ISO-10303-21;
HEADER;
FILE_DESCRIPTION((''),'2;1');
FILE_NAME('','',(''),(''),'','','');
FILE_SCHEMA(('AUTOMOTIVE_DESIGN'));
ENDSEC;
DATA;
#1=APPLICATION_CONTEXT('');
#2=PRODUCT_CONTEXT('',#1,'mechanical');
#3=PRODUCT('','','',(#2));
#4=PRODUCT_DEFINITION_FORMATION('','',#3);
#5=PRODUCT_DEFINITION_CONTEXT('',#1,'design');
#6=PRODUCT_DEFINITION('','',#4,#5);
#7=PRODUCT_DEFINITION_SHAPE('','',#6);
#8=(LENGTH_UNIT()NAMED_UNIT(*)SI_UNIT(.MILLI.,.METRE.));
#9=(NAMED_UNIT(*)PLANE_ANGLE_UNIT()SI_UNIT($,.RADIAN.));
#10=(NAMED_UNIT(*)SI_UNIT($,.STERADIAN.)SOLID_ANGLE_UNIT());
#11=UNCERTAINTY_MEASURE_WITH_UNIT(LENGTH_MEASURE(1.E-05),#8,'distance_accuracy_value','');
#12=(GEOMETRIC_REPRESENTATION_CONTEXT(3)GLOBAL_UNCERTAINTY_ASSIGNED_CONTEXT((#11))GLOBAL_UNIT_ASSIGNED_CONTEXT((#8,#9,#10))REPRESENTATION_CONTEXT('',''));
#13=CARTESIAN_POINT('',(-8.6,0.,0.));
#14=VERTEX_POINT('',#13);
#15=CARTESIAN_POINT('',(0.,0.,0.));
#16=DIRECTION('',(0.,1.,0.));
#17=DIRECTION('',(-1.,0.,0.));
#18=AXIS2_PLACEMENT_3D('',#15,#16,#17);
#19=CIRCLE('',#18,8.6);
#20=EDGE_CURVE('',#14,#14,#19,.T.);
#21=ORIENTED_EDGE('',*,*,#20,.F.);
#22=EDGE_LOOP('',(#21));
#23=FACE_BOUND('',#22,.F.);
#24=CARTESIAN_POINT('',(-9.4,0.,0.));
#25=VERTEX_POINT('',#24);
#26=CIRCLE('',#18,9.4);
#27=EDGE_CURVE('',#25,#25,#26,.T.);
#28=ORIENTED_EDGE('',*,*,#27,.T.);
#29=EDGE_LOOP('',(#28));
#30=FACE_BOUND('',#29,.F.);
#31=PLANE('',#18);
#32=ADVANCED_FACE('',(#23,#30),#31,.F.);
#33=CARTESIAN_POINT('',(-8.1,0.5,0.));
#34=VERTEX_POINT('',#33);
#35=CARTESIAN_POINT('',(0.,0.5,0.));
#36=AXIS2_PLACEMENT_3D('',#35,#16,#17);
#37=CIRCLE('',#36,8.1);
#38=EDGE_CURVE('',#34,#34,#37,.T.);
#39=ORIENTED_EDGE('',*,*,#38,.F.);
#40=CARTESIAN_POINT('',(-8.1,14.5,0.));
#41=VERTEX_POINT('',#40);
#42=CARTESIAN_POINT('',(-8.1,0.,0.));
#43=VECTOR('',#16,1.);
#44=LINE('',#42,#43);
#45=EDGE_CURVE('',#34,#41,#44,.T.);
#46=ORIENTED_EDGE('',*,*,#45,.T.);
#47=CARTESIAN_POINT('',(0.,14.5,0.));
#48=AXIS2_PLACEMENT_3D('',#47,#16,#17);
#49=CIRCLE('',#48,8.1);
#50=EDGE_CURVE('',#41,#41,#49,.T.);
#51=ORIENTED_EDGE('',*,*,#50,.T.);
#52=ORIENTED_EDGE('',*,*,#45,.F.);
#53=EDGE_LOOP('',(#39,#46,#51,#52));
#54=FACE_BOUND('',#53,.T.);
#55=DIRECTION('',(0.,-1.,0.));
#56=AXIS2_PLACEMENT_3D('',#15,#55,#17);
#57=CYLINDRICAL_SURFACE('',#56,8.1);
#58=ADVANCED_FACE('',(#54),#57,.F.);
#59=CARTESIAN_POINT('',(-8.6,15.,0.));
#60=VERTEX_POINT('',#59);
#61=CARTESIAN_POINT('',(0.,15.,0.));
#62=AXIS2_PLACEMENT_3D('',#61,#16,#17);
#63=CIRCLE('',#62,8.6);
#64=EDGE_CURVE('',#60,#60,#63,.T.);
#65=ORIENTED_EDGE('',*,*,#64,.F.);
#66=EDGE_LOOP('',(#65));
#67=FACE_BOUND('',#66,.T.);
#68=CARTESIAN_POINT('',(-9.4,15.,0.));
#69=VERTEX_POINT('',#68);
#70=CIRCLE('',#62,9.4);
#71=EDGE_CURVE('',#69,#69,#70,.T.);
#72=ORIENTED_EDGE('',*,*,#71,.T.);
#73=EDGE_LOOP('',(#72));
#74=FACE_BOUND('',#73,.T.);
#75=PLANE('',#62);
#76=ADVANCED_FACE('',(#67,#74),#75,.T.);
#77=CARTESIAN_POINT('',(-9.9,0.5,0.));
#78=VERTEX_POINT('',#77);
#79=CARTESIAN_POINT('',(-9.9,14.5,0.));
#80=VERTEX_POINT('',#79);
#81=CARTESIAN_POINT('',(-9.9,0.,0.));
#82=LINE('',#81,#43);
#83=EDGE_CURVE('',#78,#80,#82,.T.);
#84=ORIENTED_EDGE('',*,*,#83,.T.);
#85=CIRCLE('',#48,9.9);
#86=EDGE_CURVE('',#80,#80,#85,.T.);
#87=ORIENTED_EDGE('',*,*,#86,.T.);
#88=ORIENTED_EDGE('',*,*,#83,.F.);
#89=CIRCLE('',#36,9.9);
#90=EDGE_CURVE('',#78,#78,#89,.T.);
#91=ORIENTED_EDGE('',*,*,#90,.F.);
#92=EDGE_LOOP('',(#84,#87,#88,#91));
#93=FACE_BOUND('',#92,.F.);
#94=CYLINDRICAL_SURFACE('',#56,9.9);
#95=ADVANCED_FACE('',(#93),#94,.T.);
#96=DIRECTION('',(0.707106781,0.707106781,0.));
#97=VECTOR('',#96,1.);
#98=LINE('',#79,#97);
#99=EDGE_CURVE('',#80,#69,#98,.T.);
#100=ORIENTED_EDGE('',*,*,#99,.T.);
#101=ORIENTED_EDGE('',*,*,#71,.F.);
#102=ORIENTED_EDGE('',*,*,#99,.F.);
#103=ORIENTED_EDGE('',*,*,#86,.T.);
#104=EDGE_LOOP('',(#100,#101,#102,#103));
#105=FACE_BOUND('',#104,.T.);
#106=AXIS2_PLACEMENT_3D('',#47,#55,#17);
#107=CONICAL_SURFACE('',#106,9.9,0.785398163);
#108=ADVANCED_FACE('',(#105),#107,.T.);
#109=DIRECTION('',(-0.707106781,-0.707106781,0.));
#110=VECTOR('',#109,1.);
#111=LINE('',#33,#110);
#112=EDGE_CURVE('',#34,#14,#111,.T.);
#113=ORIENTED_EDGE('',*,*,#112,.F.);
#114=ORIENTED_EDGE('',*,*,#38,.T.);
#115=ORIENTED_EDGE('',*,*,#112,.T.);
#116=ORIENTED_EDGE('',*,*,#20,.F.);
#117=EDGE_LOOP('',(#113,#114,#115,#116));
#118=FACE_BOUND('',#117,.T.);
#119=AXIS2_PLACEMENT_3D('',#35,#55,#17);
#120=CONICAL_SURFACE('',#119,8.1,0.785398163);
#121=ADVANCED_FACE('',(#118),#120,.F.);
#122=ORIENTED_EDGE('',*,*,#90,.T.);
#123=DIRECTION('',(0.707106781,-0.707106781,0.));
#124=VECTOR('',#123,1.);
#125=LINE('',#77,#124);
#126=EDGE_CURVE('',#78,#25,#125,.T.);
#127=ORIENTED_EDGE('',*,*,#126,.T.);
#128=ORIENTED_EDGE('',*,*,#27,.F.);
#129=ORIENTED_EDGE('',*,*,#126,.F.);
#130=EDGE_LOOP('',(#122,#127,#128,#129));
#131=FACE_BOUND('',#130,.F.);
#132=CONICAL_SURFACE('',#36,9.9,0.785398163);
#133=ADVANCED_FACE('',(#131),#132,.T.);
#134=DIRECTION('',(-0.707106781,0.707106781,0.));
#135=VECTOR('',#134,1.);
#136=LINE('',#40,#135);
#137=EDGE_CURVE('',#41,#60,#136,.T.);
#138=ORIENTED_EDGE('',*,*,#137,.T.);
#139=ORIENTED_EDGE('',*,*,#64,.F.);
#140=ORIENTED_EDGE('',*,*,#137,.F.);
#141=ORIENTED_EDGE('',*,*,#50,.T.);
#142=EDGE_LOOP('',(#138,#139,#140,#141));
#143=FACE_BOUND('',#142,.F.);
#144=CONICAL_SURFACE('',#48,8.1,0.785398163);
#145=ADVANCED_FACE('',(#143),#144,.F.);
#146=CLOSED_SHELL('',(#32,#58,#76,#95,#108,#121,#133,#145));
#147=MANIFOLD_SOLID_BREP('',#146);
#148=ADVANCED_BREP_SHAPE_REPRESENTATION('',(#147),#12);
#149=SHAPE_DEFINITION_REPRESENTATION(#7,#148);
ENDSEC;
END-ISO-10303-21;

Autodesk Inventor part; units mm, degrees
ref_plane "YZ Plane" through (0, 0, 0) normal (1, 0, 0) x (0, 1, 0)
ref_plane "XZ Plane" through (0, 0, 0) normal (0, 1, 0) x (-1, 0, 0)
ref_plane "XY Plane" through (0, 0, 0) normal (0, 0, 1) x (1, 0, 0)
sketch "Sketch1" plane through (0, 0, 0) normal (0, 1, 0) x (-1, 0, 0)
  circle A0 centre (0, 0) radius 8.1
  circle A1 centre (0, 0) radius 9.9
  dimension "d0" = 16.2
  dimension "d1" = 19.8
extrude "Extrusion1" add sketch "Sketch1" along normal blind 15
chamfer "Chamfer1" distance 0.5 angle 45 4 edges at (8.1, 15, 0) (9.9, 15, 0) (8.1, 0, 0) (9.9, 0, 0)
properties part number "Spacer"
